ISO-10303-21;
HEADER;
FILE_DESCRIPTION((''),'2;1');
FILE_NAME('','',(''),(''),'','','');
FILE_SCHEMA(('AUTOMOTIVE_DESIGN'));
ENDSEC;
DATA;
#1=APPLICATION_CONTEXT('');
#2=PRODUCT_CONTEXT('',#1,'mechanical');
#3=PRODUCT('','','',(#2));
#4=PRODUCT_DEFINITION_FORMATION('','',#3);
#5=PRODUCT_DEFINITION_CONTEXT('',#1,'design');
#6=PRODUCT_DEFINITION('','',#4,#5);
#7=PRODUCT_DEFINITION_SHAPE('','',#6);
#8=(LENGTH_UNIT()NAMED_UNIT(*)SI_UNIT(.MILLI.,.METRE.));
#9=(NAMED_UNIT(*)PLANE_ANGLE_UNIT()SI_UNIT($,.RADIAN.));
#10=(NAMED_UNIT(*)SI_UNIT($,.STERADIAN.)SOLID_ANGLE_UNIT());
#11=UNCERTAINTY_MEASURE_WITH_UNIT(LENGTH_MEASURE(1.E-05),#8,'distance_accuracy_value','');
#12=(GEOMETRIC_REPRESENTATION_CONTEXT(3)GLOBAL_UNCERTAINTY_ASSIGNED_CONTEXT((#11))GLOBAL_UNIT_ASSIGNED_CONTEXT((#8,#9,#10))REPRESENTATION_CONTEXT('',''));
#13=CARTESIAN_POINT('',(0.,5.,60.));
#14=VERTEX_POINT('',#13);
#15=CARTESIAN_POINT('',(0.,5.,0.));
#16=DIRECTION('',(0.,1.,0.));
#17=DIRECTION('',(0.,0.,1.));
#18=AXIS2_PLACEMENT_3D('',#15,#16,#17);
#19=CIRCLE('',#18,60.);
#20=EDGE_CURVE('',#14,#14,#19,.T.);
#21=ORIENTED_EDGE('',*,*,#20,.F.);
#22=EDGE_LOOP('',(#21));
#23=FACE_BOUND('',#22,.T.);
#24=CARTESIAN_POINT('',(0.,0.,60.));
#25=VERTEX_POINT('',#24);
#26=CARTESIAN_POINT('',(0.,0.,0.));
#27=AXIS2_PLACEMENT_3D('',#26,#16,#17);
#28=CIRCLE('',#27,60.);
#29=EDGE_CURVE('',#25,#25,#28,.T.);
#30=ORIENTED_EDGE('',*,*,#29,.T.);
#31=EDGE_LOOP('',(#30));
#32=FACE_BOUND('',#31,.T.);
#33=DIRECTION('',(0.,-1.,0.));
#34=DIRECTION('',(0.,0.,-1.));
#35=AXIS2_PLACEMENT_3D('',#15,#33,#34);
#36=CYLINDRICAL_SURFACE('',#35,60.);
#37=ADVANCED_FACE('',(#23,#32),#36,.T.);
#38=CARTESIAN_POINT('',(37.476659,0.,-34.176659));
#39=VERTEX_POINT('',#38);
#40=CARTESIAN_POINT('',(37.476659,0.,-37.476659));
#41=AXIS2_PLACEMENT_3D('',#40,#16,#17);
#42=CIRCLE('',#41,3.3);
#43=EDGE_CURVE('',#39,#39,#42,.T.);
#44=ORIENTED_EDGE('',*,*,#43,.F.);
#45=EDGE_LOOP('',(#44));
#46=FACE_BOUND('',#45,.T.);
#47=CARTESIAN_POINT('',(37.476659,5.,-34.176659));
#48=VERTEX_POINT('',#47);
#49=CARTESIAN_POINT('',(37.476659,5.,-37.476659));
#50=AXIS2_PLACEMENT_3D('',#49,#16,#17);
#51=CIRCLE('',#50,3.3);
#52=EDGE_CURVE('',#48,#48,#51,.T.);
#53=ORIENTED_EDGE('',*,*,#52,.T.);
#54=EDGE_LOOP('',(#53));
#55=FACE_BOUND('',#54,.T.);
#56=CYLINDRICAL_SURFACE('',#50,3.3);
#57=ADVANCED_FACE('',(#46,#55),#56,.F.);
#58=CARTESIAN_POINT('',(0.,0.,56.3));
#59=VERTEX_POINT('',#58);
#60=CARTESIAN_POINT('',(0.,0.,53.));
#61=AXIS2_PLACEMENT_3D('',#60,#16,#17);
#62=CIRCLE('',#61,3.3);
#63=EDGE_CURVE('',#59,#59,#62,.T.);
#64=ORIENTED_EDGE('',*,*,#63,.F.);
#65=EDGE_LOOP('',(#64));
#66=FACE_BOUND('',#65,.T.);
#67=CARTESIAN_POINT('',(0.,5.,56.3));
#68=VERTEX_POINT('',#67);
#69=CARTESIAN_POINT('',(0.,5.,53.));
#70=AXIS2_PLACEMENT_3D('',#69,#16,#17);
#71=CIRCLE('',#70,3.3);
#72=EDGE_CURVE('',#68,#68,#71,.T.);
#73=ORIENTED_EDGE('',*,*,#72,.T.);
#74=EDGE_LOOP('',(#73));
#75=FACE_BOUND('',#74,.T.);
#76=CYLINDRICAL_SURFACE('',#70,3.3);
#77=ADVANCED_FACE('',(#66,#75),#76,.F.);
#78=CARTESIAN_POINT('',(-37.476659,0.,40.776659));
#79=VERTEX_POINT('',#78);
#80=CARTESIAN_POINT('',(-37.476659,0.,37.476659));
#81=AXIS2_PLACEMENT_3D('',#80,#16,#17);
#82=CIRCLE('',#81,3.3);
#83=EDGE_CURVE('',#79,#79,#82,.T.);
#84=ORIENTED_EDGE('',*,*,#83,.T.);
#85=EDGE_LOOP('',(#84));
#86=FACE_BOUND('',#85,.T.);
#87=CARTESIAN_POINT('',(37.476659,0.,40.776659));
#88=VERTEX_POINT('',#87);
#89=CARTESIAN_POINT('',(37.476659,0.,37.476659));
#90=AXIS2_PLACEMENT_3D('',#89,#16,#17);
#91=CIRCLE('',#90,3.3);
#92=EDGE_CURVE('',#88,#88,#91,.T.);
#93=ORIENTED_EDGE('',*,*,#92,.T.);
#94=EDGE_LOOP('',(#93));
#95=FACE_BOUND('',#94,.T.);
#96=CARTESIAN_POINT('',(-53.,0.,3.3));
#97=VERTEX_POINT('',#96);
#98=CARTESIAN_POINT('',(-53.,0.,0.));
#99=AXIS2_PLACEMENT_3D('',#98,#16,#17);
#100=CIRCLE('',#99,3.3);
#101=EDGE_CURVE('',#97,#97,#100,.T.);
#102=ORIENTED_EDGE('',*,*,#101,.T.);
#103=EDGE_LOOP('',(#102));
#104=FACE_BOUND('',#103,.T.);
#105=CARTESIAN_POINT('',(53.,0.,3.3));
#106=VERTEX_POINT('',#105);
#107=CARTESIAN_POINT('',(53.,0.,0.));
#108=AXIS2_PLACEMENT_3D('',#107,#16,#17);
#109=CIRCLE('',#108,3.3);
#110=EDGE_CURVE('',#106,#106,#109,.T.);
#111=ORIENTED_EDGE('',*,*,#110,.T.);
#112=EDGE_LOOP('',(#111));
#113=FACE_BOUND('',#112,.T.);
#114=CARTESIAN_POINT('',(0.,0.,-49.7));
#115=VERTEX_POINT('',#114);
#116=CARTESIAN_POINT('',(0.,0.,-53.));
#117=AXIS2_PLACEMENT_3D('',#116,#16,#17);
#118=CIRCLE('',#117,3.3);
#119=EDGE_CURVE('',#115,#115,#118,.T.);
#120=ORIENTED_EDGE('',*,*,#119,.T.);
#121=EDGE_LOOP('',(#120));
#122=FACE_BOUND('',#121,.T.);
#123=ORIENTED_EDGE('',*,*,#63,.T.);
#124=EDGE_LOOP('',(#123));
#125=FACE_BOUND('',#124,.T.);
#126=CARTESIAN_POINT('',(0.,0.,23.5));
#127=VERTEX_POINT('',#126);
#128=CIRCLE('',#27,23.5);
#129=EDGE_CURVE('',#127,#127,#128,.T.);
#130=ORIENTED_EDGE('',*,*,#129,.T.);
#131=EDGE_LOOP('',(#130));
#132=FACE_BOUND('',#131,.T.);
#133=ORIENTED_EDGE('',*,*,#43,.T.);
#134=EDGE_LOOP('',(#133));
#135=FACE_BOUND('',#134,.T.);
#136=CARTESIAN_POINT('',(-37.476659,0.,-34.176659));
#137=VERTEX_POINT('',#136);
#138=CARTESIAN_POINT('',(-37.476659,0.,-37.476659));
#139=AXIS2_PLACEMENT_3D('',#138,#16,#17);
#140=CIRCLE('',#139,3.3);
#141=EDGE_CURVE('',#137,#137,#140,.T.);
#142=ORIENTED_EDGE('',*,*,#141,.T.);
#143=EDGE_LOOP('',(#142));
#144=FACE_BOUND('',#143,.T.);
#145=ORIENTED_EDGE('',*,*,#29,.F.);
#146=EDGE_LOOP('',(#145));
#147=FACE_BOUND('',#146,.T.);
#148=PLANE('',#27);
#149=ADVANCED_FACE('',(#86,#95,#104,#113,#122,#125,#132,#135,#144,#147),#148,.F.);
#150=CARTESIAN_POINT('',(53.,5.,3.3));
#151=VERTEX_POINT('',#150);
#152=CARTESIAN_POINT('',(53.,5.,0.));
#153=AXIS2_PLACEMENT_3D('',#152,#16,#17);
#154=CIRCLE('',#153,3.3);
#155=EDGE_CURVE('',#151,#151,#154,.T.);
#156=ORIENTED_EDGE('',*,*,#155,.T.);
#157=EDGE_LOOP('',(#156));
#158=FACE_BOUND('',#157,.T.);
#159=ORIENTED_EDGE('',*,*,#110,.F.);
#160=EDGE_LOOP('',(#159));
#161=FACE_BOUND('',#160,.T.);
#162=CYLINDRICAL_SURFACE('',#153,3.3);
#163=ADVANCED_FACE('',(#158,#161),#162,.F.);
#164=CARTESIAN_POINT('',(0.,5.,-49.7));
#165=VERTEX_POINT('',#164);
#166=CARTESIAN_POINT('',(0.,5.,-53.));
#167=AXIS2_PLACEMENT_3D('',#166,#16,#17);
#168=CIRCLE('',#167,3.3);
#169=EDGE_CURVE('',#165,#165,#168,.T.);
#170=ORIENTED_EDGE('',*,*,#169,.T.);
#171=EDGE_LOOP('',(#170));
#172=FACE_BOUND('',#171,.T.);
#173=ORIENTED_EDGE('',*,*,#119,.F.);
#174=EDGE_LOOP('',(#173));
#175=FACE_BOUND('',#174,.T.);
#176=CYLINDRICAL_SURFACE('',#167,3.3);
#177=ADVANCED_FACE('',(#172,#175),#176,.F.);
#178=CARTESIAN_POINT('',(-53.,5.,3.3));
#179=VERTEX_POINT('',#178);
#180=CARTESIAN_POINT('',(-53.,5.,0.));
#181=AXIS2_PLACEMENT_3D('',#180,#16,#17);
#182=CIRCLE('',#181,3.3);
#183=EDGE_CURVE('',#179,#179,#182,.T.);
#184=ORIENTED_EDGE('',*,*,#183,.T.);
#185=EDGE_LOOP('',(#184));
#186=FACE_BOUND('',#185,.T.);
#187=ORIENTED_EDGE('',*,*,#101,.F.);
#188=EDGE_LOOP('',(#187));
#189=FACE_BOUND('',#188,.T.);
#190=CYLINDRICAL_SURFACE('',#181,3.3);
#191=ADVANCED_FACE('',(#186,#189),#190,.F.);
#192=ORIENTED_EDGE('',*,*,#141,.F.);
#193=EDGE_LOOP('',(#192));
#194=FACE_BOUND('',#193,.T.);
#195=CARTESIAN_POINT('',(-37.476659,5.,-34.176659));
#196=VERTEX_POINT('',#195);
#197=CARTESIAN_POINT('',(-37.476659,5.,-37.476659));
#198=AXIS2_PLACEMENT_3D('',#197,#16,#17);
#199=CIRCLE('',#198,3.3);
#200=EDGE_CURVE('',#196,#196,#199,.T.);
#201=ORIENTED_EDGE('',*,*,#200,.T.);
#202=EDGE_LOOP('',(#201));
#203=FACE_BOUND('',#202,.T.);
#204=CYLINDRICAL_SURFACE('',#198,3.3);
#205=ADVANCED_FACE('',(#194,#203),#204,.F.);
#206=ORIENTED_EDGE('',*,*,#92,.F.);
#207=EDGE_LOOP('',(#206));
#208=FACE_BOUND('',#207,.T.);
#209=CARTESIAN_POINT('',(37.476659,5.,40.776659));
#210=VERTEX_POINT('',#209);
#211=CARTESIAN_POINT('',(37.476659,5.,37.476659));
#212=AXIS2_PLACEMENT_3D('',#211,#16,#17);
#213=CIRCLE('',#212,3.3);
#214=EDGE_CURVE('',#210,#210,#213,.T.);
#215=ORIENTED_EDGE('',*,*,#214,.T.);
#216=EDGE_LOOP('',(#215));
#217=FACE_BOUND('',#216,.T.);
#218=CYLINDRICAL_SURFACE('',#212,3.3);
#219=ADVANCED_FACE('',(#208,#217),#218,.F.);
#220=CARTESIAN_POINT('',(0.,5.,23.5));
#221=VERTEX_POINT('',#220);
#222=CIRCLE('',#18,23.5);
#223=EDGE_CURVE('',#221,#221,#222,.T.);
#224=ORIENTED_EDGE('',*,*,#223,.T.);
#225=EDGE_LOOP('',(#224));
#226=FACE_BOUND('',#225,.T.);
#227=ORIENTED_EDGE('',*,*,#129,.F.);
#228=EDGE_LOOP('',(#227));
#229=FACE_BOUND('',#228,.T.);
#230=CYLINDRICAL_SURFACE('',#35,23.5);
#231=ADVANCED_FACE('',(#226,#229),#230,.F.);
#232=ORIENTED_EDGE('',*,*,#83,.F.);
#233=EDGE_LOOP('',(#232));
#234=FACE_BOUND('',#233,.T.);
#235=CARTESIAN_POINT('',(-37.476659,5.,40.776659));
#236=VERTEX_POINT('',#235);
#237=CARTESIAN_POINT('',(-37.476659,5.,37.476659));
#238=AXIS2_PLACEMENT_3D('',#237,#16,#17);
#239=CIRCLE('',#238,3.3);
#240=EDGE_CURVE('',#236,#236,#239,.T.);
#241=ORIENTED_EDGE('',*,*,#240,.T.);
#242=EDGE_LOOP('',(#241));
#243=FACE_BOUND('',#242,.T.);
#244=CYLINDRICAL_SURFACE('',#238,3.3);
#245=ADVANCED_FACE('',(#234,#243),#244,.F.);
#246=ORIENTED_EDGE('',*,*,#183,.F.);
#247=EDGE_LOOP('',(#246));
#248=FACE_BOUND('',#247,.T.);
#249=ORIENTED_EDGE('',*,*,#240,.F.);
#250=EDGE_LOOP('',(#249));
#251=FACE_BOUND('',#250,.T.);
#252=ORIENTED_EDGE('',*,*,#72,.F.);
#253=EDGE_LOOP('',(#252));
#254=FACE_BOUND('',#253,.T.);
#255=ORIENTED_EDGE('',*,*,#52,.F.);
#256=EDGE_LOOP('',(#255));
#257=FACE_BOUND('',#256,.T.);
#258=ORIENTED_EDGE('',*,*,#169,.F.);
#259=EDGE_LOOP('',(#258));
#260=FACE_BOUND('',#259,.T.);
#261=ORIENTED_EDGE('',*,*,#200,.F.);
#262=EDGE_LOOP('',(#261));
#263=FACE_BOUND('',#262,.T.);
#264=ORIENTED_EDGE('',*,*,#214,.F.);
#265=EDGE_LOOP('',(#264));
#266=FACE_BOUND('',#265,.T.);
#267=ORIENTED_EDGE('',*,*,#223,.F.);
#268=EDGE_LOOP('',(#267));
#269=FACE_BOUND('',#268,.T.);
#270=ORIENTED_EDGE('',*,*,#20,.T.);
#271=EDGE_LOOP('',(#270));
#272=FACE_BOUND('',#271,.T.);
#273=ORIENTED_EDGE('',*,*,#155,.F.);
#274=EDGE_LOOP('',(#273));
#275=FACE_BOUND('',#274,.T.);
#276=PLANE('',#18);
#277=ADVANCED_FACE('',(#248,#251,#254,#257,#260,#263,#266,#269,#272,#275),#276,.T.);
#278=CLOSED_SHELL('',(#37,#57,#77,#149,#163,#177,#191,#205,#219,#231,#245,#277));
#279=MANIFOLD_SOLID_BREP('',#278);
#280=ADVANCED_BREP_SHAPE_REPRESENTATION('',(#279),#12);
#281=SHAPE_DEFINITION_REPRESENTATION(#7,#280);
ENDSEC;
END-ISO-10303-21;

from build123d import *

# Parameters (mm, degrees)
SKETCH1_R            = 60
SKETCH1_R_2          = 23.5
BOSS_EXTRUDE1_DEPTH  = 5
M6_CLEARANCE_HOLE1_D = 6.6


with BuildPart() as part:
    # Sketch1 → Boss-Extrude1 (new body)
    with BuildSketch(Plane(origin=(0, 0, 0), x_dir=(1, 0, 0), z_dir=(0, 1, 0))):
        Circle(SKETCH1_R)
        Circle(SKETCH1_R_2, mode=Mode.SUBTRACT)
    extrude(amount=BOSS_EXTRUDE1_DEPTH)

    # M6 Clearance Hole1 (through all)
    with Locations(Plane(origin=(0, 5, 0), x_dir=(1, 0, 0), z_dir=(0, 1, 0))):
        with Locations((-37.476659403, 37.476659403), (0, 53), (37.476659403, 37.476659403), (53, 0), (37.476659403, -37.476659403), (0, -53), (-37.476659403, -37.476659403), (-53, 0)):
            Hole(M6_CLEARANCE_HOLE1_D / 2)


solid = part.part
